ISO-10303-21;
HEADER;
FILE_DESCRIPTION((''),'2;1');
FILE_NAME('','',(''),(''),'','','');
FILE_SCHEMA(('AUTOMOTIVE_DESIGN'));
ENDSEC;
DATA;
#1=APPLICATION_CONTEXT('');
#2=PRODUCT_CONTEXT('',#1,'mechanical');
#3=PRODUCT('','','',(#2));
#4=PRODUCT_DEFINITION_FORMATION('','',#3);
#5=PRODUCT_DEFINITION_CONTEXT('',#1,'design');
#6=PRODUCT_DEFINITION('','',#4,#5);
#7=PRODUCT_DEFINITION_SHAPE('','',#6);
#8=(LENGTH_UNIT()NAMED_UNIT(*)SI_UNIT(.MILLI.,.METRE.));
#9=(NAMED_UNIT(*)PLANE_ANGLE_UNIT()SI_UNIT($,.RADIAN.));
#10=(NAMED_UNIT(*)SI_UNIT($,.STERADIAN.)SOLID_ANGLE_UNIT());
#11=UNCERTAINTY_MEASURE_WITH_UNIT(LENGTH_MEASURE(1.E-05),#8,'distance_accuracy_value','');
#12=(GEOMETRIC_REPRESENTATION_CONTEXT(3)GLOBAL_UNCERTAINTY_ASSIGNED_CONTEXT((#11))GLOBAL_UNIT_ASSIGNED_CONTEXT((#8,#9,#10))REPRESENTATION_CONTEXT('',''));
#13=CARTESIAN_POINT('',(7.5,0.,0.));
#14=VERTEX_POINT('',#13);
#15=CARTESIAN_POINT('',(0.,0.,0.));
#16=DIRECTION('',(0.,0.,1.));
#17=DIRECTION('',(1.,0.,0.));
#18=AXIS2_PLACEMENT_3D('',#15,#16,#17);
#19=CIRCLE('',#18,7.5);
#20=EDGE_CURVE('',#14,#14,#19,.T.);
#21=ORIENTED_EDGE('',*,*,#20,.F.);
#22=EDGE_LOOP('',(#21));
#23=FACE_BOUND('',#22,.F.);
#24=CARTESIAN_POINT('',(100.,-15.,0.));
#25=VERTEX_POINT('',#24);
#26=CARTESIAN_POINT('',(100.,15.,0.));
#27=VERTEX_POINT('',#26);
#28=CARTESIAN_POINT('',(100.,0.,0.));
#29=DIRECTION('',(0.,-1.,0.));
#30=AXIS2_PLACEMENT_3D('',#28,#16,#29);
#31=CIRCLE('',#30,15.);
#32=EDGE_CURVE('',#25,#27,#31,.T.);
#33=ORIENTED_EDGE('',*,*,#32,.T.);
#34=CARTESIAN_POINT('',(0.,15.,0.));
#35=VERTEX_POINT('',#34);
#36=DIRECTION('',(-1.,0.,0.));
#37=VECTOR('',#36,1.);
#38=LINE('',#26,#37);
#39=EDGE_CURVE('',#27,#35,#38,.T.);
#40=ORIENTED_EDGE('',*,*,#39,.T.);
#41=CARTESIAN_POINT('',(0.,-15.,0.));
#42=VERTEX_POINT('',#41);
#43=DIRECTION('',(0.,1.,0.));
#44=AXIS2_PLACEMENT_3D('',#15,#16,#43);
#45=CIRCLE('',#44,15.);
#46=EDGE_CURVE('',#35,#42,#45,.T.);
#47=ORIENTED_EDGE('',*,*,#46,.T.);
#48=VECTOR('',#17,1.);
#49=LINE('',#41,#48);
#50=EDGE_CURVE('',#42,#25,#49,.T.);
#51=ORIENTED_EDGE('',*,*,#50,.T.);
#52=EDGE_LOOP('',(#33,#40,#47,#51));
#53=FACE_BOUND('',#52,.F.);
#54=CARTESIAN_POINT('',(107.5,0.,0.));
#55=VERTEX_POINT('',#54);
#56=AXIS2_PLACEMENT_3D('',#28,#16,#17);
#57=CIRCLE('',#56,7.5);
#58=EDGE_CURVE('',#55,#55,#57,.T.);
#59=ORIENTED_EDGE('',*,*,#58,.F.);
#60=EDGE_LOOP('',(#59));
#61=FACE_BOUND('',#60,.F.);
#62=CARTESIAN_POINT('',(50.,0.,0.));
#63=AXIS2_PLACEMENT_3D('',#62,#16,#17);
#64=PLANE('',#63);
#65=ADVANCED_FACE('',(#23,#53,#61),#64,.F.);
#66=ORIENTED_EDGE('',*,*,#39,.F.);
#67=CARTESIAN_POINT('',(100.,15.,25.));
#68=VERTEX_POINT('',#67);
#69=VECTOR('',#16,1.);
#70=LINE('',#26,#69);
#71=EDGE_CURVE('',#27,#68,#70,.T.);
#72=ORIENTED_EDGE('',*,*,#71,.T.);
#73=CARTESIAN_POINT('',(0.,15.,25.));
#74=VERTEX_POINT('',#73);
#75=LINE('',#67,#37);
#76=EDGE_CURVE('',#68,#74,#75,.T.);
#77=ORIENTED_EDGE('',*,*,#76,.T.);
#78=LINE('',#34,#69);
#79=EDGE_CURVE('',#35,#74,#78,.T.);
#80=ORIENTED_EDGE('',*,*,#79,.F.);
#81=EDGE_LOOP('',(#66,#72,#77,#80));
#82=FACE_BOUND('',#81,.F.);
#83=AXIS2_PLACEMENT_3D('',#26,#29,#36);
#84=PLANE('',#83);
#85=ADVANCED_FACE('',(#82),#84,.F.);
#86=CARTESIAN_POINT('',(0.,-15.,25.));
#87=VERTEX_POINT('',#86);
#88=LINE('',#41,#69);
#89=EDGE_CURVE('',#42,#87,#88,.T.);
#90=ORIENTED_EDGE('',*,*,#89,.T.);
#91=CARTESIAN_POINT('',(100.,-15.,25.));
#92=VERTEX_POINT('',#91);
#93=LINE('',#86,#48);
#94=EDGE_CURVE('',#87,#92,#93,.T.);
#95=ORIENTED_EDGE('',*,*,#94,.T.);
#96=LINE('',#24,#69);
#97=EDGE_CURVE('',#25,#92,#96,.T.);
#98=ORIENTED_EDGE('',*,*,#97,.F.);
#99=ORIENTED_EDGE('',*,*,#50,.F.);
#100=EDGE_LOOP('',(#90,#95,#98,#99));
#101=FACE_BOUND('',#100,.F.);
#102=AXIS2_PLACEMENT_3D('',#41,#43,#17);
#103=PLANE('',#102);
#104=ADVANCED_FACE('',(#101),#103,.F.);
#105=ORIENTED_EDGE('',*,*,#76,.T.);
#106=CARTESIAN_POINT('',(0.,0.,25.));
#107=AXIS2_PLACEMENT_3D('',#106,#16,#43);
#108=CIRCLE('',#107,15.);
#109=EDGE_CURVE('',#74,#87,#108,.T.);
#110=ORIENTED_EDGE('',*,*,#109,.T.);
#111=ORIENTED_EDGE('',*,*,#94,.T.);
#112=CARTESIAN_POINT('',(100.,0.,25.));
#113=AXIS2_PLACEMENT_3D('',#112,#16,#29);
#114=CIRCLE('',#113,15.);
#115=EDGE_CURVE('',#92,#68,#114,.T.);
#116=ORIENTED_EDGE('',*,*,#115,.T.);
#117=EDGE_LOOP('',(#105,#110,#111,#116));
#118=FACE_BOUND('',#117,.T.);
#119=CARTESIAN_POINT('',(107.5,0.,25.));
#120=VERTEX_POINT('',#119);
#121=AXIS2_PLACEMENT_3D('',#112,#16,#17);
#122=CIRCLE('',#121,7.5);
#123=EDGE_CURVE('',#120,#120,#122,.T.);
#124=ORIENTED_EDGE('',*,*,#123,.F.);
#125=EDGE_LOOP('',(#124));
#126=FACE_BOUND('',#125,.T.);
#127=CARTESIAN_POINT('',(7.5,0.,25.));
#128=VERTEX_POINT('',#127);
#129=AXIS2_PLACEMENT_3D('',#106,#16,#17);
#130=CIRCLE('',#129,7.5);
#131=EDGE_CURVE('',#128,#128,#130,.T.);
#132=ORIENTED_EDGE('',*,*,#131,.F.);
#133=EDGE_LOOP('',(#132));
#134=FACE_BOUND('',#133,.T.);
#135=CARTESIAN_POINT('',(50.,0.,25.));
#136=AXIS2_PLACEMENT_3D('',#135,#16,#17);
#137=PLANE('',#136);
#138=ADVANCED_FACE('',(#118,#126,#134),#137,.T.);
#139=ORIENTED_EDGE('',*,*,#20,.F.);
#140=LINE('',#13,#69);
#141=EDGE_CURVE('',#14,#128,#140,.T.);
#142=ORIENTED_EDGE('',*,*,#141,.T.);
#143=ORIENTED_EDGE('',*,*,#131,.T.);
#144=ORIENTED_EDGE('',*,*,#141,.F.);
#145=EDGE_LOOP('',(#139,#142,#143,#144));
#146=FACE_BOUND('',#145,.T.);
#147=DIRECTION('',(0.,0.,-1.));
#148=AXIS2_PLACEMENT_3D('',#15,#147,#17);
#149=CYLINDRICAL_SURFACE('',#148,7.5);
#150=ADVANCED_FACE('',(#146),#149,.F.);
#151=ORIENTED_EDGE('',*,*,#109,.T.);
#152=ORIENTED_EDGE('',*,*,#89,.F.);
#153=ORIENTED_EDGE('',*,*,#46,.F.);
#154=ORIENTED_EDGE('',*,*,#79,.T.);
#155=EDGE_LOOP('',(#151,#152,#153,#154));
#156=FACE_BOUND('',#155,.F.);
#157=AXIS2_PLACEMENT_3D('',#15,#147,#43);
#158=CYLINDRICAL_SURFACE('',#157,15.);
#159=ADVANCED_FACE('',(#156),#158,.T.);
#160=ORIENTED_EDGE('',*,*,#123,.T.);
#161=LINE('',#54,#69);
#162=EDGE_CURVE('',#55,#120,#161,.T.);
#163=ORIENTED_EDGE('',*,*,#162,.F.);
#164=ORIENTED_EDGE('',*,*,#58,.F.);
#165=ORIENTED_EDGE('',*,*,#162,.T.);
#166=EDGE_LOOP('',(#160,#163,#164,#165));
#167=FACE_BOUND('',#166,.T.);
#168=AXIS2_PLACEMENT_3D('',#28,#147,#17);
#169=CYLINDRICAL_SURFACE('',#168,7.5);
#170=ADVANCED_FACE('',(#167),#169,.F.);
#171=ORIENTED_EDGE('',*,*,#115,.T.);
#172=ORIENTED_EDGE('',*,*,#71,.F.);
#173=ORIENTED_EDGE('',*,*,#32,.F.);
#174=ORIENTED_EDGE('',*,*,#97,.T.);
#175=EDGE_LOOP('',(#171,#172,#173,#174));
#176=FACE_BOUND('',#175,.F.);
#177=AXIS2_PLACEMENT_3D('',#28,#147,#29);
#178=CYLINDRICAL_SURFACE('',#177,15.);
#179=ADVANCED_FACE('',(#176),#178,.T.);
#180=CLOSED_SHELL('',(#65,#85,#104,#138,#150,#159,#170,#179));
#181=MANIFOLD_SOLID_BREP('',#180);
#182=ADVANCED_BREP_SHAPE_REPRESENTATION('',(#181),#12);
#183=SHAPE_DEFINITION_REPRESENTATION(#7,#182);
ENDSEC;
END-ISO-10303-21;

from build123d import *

# Parameters (mm, degrees)
F0_R     = 7.5
F1_DEPTH = 25


with BuildPart() as f1:
    # F0 (on Top) → F1 (new body)
    with BuildSketch(Plane.XY):
        with BuildLine():
            ThreePointArc((0, 15), (-15, 0), (0, -15))
            Line((0, -15), (100, -15))
            ThreePointArc((100, -15), (115, 0), (100, 15))
            Line((100, 15), (0, 15))
        make_face()
        Circle(F0_R, mode=Mode.SUBTRACT)
        with Locations((100, 0)):
            Circle(F0_R, mode=Mode.SUBTRACT)
    extrude(amount=F1_DEPTH)


solid = f1.part
